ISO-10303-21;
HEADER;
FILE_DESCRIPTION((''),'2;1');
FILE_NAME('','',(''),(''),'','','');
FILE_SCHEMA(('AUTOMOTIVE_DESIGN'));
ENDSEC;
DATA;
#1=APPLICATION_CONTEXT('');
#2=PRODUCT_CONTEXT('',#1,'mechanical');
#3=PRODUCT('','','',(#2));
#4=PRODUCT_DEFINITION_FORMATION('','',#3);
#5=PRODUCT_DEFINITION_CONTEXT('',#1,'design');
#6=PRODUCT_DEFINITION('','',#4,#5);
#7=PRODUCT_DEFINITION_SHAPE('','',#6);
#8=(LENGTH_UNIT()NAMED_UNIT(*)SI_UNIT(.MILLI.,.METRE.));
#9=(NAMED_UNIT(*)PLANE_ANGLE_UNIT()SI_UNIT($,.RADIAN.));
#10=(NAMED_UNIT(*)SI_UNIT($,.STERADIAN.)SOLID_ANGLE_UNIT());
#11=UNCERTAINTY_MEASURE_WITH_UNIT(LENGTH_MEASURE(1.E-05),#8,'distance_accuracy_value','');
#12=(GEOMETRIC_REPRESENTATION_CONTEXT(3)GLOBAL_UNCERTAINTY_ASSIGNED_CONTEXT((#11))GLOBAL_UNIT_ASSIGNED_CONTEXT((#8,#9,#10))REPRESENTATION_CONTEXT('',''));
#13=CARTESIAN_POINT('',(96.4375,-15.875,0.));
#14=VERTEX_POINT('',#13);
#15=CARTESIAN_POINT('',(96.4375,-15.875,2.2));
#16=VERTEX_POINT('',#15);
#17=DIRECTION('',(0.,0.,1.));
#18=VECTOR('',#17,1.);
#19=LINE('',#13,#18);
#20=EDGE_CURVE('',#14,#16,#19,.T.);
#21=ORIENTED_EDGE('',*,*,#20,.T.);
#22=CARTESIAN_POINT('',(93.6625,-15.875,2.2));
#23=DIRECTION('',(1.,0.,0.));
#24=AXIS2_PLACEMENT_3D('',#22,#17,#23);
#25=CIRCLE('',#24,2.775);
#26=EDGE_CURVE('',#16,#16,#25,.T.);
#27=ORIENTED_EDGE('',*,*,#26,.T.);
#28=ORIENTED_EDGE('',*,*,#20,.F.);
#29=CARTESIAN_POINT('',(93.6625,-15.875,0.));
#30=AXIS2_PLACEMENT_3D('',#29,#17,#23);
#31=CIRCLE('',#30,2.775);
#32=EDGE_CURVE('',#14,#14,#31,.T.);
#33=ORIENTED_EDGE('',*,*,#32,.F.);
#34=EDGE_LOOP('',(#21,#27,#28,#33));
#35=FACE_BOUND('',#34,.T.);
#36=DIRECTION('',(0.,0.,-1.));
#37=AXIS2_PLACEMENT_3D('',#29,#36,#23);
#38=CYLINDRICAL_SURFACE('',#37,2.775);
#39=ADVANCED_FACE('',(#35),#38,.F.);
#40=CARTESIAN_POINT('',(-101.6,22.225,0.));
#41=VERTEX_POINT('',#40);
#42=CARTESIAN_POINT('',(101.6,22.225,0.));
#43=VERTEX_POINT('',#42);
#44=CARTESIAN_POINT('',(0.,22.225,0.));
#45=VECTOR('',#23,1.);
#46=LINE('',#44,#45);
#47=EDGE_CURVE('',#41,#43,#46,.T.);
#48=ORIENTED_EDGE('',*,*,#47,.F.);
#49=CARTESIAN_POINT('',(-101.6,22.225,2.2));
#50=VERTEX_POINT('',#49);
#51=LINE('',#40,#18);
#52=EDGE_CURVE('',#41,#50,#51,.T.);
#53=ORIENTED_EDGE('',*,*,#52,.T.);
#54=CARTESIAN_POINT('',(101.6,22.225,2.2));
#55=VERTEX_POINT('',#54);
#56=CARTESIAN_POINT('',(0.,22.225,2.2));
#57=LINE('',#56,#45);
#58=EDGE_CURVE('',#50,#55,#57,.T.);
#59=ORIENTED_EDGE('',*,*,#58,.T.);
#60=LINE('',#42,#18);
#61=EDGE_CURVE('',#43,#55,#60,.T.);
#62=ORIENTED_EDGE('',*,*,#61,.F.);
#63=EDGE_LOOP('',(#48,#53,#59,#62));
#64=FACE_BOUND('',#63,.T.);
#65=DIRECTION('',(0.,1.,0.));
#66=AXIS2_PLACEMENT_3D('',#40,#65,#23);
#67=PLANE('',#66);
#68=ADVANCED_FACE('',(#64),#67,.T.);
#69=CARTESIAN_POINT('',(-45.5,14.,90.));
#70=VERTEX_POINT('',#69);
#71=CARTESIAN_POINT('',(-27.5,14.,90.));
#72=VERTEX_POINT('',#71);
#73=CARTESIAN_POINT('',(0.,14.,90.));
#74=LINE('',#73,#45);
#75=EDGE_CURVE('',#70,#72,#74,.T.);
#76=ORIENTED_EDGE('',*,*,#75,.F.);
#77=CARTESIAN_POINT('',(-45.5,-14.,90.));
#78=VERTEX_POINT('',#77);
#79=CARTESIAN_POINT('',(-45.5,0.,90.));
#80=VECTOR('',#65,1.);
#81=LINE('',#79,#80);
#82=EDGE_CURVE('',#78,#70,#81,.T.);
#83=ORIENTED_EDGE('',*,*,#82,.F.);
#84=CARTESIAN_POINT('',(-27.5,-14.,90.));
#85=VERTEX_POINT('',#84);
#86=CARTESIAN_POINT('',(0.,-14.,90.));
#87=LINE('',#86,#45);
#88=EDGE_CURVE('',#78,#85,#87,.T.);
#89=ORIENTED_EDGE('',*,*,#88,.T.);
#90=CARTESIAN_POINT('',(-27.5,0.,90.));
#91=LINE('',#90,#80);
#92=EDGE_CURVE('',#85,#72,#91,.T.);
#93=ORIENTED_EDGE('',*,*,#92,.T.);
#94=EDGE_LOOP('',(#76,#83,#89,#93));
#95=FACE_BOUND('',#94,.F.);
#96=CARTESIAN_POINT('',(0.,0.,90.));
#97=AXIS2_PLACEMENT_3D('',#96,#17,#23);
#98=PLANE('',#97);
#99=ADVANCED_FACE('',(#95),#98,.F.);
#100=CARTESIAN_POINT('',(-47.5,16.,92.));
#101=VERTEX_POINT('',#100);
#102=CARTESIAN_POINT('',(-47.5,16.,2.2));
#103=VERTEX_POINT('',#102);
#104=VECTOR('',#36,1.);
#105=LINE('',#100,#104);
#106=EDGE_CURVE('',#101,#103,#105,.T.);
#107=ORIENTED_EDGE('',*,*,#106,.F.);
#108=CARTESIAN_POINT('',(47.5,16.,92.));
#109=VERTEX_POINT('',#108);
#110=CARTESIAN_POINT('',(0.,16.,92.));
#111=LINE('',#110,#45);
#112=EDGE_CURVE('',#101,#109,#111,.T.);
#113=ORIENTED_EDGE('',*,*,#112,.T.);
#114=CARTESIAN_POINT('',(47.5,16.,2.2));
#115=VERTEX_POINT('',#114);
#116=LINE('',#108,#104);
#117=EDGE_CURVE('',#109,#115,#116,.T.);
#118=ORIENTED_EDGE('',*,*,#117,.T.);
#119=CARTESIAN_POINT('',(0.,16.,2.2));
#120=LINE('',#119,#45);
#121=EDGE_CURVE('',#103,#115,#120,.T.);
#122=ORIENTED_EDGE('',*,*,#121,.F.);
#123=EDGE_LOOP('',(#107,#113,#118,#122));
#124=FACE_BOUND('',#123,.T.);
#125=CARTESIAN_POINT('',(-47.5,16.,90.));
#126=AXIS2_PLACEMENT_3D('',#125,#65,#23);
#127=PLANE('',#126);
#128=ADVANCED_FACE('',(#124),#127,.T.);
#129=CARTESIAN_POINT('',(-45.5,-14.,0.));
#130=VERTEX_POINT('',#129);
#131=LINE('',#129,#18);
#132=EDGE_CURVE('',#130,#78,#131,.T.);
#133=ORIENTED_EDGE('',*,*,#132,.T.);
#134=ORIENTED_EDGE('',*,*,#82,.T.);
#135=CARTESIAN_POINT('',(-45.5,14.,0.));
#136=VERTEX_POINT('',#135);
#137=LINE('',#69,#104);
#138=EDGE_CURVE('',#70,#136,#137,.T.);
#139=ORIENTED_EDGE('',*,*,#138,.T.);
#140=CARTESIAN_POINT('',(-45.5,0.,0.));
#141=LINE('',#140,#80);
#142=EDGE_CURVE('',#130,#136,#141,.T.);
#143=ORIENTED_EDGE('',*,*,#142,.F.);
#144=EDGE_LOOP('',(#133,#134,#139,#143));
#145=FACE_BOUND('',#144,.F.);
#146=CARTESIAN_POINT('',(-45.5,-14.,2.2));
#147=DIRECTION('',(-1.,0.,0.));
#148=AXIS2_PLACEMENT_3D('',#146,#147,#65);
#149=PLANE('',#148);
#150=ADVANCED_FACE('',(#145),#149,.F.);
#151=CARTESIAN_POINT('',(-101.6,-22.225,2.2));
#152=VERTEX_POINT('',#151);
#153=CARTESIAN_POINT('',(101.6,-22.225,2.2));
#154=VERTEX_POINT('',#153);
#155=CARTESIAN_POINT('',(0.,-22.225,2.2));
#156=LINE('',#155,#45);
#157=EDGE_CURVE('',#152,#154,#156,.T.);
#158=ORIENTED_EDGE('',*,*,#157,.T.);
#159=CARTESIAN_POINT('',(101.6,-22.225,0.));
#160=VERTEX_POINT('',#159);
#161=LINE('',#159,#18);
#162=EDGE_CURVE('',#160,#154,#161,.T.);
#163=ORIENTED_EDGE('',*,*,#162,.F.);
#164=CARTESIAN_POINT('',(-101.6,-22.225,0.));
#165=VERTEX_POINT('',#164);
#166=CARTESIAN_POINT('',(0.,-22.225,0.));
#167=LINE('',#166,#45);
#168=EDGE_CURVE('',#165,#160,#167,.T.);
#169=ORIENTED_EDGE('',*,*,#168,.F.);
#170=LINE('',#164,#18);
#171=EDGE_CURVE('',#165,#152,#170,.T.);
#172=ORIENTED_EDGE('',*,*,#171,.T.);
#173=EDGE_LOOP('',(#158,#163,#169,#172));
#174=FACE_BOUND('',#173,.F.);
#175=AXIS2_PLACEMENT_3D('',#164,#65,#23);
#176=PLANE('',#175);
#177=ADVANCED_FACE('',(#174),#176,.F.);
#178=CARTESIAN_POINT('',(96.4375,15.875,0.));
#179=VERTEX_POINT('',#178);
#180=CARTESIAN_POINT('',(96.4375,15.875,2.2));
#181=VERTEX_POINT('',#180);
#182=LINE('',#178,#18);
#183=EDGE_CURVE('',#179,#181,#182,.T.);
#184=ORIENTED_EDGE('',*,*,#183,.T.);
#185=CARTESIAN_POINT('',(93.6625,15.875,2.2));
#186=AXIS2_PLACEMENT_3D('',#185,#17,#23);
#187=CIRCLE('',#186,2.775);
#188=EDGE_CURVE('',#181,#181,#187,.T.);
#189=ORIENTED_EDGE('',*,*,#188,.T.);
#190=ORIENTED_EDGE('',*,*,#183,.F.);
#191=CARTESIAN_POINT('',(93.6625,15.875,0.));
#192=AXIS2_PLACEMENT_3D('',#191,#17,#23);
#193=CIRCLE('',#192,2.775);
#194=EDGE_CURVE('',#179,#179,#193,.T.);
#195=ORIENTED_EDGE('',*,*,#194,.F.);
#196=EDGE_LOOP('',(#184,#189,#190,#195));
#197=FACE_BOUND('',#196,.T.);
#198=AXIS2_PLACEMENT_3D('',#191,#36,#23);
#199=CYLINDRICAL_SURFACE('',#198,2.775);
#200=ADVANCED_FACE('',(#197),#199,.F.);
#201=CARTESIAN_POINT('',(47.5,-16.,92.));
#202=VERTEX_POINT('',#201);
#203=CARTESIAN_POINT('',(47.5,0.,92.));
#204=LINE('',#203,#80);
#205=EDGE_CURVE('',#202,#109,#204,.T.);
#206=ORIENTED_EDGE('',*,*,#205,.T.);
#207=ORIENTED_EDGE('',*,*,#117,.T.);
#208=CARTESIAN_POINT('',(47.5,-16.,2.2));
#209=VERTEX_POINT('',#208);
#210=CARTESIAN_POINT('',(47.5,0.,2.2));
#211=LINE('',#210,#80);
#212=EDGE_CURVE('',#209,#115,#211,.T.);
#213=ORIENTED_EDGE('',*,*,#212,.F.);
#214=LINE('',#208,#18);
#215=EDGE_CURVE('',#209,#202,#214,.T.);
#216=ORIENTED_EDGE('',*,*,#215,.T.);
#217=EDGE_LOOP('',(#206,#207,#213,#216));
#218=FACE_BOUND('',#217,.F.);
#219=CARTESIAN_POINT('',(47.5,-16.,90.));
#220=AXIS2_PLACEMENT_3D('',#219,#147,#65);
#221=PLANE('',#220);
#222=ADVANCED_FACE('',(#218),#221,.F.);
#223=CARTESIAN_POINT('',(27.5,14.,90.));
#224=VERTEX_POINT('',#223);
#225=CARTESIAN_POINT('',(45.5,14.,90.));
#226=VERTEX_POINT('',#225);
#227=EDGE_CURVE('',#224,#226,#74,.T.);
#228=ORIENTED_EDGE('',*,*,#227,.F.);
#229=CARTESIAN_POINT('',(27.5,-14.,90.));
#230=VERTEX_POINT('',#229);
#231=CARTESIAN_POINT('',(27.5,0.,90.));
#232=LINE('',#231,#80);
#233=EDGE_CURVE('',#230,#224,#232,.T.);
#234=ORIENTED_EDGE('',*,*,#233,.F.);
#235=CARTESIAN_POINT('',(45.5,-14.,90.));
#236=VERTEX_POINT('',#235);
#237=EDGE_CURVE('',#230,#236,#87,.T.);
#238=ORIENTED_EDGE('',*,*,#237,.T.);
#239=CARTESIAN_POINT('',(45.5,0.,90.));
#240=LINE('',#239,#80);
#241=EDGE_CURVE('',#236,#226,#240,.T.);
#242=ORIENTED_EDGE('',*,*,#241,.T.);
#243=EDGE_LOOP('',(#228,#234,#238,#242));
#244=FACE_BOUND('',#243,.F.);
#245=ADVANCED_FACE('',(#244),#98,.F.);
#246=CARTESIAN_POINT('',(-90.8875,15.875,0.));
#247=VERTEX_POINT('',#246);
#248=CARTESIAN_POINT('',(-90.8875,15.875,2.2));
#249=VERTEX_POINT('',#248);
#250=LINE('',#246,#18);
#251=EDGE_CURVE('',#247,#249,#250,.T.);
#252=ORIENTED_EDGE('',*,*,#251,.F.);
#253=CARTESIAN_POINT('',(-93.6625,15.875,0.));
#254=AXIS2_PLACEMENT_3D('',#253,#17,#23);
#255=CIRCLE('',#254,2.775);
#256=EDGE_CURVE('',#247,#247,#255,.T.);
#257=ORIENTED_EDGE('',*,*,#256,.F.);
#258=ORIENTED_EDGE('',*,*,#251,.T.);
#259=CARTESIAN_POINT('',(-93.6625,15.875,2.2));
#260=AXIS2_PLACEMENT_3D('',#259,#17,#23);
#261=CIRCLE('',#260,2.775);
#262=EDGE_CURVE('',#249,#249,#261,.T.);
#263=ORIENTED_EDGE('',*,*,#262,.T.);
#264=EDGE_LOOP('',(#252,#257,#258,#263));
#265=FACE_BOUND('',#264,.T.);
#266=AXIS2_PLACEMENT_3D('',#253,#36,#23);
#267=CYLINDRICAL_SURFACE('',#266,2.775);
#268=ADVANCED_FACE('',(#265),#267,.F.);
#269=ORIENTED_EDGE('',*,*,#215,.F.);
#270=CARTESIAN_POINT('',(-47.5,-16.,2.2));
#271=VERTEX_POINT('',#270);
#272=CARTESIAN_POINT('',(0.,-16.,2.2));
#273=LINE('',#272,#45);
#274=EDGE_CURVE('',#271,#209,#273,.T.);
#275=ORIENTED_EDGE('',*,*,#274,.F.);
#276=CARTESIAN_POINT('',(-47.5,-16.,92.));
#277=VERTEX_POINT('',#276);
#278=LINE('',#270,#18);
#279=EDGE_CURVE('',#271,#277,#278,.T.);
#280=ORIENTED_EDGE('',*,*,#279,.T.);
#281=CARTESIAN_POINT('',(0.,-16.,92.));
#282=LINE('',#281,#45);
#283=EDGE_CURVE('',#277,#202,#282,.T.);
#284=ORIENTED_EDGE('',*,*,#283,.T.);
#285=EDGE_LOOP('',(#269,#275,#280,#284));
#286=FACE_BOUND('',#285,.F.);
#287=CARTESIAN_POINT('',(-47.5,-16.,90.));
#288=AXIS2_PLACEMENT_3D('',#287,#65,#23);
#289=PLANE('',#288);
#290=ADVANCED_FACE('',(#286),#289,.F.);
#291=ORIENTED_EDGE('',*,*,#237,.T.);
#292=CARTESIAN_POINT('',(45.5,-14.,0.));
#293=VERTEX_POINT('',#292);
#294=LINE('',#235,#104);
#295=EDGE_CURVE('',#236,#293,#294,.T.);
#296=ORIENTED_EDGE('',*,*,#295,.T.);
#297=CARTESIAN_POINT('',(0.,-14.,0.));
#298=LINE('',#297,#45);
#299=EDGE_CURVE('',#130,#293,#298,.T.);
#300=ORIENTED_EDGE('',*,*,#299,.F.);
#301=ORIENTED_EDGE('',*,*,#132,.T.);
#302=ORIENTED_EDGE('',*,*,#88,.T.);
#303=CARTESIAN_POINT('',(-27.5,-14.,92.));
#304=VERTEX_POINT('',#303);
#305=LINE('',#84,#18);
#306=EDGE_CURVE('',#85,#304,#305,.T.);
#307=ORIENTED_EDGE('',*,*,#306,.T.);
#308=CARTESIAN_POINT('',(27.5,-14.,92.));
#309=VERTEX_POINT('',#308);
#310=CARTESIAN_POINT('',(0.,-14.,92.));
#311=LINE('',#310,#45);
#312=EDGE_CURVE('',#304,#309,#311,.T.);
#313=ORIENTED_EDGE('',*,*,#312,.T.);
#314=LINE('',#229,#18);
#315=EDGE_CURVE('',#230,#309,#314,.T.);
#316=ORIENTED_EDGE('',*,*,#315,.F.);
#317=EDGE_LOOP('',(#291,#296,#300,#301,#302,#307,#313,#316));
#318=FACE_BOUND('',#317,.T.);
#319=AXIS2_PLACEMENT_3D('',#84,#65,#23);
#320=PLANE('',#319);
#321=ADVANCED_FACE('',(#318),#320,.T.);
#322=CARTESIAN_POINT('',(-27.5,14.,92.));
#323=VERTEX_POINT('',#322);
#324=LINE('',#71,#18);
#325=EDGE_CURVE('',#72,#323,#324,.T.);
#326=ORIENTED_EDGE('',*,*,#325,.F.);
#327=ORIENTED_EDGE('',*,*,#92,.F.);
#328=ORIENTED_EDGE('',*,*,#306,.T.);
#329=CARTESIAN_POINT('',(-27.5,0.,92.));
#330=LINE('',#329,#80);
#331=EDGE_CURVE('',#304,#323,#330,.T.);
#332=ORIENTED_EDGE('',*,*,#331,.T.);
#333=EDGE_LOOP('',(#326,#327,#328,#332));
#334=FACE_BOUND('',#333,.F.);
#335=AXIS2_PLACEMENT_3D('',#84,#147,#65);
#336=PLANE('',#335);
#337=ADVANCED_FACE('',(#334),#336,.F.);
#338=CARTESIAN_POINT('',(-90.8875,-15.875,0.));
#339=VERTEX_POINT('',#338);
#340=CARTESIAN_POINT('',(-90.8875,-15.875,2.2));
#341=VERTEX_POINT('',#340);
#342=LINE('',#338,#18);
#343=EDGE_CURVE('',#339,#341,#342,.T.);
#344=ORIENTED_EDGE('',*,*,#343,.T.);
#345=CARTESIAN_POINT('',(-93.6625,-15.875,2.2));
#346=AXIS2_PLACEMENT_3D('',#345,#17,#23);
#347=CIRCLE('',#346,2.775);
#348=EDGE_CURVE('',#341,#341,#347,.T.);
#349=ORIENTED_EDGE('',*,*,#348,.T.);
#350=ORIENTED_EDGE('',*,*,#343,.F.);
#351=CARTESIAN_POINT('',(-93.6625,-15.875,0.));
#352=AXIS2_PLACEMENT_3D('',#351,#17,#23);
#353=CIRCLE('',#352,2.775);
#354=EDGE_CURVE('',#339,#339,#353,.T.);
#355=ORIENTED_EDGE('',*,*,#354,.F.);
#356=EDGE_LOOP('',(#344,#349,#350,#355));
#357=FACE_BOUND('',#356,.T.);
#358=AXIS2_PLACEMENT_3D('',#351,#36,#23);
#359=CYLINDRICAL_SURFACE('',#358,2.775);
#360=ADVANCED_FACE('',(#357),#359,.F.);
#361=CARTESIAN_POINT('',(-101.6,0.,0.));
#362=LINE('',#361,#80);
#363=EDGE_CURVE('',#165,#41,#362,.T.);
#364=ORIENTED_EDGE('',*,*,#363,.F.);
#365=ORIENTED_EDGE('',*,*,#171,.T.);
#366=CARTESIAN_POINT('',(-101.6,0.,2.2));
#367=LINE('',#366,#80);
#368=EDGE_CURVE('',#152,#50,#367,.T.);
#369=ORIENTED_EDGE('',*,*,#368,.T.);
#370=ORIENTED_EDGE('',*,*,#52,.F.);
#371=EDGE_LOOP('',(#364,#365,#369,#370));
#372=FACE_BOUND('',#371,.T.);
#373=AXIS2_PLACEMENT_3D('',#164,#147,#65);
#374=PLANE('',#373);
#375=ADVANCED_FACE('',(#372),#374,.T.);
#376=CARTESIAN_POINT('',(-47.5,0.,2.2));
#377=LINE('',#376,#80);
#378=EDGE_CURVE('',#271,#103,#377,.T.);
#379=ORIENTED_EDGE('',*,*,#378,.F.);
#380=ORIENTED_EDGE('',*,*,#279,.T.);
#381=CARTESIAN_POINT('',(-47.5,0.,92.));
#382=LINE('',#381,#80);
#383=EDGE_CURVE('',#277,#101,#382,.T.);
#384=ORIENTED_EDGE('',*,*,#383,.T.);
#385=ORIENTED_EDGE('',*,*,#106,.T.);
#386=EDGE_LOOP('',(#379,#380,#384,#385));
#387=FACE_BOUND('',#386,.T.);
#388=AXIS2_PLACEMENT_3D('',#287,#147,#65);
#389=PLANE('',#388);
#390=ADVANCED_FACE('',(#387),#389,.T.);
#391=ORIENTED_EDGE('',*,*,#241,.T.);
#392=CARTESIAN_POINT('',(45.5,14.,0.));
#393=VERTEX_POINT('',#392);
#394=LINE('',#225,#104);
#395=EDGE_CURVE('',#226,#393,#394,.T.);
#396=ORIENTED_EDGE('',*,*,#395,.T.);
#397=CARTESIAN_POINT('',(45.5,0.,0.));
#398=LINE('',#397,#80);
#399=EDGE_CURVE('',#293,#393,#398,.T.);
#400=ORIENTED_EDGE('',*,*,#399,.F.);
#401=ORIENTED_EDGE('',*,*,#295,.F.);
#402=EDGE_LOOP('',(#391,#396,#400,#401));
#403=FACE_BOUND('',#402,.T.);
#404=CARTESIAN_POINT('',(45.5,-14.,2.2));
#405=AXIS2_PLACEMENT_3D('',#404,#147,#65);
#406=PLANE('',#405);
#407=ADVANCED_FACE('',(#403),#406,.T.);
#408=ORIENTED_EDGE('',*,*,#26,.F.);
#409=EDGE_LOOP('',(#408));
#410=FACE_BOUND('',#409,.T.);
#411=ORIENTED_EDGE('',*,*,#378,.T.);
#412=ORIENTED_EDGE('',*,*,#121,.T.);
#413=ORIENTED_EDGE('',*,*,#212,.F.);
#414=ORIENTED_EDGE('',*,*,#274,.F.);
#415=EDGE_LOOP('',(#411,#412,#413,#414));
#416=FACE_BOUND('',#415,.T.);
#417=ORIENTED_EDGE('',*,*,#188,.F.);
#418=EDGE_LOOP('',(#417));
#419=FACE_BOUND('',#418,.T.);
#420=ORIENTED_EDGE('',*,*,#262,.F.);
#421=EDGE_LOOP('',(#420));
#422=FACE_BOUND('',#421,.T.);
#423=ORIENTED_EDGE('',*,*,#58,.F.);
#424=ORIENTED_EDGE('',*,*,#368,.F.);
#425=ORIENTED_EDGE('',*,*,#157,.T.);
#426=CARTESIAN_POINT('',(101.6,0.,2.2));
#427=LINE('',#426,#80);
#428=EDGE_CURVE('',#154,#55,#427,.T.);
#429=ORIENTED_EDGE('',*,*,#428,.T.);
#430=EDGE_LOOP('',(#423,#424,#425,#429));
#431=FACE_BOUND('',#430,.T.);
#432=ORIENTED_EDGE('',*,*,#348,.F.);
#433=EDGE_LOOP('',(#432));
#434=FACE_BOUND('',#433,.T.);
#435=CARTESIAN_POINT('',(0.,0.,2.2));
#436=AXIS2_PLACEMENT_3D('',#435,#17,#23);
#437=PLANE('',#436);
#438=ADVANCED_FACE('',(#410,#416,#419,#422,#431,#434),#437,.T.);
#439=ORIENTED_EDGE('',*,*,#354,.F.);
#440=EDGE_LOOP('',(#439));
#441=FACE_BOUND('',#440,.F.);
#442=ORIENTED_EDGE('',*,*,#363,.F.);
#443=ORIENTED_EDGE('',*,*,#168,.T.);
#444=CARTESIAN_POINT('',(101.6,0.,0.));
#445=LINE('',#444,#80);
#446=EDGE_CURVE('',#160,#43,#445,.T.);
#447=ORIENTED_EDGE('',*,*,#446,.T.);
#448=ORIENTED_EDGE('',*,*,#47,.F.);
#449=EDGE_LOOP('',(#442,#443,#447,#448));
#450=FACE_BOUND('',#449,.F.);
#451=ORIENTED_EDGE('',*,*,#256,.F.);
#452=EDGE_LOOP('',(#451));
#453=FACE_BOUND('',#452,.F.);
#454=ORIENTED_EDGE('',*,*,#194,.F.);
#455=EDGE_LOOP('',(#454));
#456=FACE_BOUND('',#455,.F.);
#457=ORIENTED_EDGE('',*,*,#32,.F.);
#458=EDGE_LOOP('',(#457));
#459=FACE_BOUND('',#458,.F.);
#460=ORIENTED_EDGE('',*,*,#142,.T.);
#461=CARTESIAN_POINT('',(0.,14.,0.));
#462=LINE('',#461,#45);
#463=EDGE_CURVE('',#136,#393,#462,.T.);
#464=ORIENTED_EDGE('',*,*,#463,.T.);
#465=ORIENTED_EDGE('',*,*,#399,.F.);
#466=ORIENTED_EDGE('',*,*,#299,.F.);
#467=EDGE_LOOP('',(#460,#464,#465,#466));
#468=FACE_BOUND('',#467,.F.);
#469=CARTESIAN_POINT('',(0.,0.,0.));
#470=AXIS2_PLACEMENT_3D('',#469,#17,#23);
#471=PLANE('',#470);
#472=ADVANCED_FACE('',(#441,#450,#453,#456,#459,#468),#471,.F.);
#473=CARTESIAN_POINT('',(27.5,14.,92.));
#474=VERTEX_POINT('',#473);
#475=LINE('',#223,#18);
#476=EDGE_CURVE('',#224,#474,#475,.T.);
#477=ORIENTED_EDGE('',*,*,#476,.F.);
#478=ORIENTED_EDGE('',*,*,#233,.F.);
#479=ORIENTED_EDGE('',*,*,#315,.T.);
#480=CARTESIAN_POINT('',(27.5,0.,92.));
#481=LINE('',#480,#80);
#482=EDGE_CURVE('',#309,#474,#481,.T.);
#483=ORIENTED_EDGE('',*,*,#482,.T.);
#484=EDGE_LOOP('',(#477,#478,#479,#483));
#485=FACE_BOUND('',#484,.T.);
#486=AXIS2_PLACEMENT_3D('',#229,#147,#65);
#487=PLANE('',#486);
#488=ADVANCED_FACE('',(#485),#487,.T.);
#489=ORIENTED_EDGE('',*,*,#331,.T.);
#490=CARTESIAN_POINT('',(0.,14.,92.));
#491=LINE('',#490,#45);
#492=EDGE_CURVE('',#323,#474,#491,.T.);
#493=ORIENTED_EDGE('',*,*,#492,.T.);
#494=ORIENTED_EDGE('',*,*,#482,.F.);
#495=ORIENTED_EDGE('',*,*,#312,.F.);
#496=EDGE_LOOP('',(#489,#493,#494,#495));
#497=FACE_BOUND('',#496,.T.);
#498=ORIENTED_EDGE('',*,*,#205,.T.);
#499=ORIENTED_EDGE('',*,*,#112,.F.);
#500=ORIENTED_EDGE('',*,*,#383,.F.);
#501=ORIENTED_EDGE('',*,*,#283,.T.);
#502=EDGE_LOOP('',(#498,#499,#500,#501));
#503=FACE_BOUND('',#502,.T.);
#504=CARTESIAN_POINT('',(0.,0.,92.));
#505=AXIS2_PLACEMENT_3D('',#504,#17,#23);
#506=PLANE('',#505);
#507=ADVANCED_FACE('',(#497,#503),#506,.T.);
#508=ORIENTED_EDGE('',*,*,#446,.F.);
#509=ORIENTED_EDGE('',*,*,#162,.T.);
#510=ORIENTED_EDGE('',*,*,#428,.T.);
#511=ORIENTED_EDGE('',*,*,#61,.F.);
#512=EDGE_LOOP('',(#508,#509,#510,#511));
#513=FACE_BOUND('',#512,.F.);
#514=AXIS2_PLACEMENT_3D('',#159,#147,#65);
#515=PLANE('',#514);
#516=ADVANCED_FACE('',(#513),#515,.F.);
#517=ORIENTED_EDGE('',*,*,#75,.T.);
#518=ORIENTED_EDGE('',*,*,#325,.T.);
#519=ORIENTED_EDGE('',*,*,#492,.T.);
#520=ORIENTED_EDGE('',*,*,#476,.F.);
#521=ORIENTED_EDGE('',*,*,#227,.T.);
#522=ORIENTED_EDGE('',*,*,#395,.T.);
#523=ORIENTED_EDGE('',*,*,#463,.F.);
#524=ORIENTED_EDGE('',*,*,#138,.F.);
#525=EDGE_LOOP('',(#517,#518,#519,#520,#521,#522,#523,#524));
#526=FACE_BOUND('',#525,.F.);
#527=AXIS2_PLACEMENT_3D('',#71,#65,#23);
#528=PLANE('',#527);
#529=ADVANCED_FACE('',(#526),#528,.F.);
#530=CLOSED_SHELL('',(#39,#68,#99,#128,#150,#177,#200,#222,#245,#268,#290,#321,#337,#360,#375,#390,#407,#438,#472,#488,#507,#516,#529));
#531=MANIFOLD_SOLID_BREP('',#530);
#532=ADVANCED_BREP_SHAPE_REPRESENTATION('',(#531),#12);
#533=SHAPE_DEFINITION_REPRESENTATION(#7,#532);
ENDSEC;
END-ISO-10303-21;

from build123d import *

# Parameters (mm, degrees)
SKETCH_W      = 203.2
SKETCH_H      = 44.45
SKETCH_R      = 2.775
SKETCH_W_2    = 91
SKETCH_H_2    = 28
PAD_DEPTH     = 2.2
SKETCH001_W   = 95
SKETCH001_H   = 32
SKETCH001_W_2 = 91
SKETCH001_H_2 = 28
PAD001_DEPTH  = 87.8
SKETCH002_W   = 95
SKETCH002_H   = 32
SKETCH002_W_2 = 55
SKETCH002_H_2 = 28
PAD002_DEPTH  = 2


with BuildPart() as part:
    # Sketch → Pad (new body)
    with BuildSketch(Plane.XY):
        Rectangle(SKETCH_W, SKETCH_H)
        with Locations((-93.6625, 15.875)):
            Circle(SKETCH_R, mode=Mode.SUBTRACT)
        with Locations((-93.6625, -15.875)):
            Circle(SKETCH_R, mode=Mode.SUBTRACT)
        with Locations((93.6625, 15.875)):
            Circle(SKETCH_R, mode=Mode.SUBTRACT)
        with Locations((93.6625, -15.875)):
            Circle(SKETCH_R, mode=Mode.SUBTRACT)
        Rectangle(SKETCH_W_2, SKETCH_H_2, mode=Mode.SUBTRACT)
    extrude(amount=PAD_DEPTH)

    # Sketch001 (on Face14 of Pad) → Pad001 (join)
    with BuildSketch(Plane.XY.offset(2.2)):
        Rectangle(SKETCH001_W, SKETCH001_H)
        Rectangle(SKETCH001_W_2, SKETCH001_H_2, mode=Mode.SUBTRACT)
    extrude(amount=PAD001_DEPTH)

    # Sketch002 (on Face23 of Pad001) → Pad002 (join)
    with BuildSketch(Plane.XY.offset(90)):
        Rectangle(SKETCH002_W, SKETCH002_H)
        Rectangle(SKETCH002_W_2, SKETCH002_H_2, mode=Mode.SUBTRACT)
    extrude(amount=PAD002_DEPTH)


solid = part.part
